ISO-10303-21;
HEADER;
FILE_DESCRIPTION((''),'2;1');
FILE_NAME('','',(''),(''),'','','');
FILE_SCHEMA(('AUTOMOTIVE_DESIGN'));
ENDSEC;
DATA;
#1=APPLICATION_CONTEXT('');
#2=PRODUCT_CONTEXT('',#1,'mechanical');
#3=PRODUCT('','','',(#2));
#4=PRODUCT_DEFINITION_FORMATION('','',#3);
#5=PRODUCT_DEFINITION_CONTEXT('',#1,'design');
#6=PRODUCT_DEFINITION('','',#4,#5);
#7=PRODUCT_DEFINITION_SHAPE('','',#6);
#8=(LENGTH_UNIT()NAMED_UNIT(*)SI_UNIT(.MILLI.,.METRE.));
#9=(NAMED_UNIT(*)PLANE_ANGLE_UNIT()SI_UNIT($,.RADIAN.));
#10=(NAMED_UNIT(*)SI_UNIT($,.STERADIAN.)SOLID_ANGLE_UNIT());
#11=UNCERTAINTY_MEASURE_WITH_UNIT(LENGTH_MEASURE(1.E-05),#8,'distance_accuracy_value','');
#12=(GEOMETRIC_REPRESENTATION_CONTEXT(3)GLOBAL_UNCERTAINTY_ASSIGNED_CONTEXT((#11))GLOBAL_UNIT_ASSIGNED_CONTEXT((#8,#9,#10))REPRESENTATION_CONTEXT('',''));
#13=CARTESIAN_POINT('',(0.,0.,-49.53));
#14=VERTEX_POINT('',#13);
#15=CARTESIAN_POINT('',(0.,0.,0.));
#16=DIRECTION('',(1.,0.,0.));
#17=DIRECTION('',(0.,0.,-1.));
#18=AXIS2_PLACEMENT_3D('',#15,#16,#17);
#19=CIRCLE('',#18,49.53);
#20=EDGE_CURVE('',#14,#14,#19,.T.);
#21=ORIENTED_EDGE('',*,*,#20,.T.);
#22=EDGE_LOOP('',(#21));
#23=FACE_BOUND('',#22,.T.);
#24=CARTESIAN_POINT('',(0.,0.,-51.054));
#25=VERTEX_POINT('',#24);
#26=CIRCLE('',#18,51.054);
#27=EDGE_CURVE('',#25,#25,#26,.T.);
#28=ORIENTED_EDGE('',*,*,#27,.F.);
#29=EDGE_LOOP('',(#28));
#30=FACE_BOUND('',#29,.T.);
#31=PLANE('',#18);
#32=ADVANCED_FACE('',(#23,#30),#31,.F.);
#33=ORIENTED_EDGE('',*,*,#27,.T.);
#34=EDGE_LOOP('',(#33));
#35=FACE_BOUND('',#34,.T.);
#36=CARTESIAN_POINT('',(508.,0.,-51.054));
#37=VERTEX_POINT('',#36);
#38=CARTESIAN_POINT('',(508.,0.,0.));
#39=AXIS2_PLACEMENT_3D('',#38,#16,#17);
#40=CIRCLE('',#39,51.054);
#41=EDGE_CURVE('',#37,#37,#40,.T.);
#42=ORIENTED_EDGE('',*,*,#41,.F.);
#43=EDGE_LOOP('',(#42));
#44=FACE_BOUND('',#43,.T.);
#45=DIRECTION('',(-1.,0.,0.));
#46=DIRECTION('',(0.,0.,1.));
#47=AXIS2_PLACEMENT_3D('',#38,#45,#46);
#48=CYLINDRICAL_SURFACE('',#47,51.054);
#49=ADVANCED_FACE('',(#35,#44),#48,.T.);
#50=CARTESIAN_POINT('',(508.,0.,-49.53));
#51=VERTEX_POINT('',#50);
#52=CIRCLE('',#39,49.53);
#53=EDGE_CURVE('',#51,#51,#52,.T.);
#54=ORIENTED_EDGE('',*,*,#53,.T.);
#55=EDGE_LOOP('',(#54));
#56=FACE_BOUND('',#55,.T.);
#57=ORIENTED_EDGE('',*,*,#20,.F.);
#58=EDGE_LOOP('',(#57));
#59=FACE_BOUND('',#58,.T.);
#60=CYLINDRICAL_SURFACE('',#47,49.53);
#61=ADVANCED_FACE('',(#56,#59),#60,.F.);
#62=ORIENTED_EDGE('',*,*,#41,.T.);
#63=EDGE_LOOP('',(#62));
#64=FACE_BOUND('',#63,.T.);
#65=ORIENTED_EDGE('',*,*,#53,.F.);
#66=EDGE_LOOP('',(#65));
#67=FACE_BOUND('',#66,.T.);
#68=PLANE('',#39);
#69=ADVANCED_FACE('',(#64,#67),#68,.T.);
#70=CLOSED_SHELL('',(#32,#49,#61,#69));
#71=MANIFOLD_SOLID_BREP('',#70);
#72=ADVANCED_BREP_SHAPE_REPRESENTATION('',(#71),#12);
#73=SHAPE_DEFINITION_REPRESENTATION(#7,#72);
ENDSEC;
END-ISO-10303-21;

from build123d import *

# Parameters (mm, degrees)
SKETCH1_R           = 51.054
SKETCH1_R_2         = 49.53
BOSS_EXTRUDE1_DEPTH = 508


with BuildPart() as part:
    # Sketch1 → Boss-Extrude1 (new body)
    with BuildSketch(Plane.YZ):
        Circle(SKETCH1_R)
        Circle(SKETCH1_R_2, mode=Mode.SUBTRACT)
    extrude(amount=BOSS_EXTRUDE1_DEPTH)


solid = part.part
